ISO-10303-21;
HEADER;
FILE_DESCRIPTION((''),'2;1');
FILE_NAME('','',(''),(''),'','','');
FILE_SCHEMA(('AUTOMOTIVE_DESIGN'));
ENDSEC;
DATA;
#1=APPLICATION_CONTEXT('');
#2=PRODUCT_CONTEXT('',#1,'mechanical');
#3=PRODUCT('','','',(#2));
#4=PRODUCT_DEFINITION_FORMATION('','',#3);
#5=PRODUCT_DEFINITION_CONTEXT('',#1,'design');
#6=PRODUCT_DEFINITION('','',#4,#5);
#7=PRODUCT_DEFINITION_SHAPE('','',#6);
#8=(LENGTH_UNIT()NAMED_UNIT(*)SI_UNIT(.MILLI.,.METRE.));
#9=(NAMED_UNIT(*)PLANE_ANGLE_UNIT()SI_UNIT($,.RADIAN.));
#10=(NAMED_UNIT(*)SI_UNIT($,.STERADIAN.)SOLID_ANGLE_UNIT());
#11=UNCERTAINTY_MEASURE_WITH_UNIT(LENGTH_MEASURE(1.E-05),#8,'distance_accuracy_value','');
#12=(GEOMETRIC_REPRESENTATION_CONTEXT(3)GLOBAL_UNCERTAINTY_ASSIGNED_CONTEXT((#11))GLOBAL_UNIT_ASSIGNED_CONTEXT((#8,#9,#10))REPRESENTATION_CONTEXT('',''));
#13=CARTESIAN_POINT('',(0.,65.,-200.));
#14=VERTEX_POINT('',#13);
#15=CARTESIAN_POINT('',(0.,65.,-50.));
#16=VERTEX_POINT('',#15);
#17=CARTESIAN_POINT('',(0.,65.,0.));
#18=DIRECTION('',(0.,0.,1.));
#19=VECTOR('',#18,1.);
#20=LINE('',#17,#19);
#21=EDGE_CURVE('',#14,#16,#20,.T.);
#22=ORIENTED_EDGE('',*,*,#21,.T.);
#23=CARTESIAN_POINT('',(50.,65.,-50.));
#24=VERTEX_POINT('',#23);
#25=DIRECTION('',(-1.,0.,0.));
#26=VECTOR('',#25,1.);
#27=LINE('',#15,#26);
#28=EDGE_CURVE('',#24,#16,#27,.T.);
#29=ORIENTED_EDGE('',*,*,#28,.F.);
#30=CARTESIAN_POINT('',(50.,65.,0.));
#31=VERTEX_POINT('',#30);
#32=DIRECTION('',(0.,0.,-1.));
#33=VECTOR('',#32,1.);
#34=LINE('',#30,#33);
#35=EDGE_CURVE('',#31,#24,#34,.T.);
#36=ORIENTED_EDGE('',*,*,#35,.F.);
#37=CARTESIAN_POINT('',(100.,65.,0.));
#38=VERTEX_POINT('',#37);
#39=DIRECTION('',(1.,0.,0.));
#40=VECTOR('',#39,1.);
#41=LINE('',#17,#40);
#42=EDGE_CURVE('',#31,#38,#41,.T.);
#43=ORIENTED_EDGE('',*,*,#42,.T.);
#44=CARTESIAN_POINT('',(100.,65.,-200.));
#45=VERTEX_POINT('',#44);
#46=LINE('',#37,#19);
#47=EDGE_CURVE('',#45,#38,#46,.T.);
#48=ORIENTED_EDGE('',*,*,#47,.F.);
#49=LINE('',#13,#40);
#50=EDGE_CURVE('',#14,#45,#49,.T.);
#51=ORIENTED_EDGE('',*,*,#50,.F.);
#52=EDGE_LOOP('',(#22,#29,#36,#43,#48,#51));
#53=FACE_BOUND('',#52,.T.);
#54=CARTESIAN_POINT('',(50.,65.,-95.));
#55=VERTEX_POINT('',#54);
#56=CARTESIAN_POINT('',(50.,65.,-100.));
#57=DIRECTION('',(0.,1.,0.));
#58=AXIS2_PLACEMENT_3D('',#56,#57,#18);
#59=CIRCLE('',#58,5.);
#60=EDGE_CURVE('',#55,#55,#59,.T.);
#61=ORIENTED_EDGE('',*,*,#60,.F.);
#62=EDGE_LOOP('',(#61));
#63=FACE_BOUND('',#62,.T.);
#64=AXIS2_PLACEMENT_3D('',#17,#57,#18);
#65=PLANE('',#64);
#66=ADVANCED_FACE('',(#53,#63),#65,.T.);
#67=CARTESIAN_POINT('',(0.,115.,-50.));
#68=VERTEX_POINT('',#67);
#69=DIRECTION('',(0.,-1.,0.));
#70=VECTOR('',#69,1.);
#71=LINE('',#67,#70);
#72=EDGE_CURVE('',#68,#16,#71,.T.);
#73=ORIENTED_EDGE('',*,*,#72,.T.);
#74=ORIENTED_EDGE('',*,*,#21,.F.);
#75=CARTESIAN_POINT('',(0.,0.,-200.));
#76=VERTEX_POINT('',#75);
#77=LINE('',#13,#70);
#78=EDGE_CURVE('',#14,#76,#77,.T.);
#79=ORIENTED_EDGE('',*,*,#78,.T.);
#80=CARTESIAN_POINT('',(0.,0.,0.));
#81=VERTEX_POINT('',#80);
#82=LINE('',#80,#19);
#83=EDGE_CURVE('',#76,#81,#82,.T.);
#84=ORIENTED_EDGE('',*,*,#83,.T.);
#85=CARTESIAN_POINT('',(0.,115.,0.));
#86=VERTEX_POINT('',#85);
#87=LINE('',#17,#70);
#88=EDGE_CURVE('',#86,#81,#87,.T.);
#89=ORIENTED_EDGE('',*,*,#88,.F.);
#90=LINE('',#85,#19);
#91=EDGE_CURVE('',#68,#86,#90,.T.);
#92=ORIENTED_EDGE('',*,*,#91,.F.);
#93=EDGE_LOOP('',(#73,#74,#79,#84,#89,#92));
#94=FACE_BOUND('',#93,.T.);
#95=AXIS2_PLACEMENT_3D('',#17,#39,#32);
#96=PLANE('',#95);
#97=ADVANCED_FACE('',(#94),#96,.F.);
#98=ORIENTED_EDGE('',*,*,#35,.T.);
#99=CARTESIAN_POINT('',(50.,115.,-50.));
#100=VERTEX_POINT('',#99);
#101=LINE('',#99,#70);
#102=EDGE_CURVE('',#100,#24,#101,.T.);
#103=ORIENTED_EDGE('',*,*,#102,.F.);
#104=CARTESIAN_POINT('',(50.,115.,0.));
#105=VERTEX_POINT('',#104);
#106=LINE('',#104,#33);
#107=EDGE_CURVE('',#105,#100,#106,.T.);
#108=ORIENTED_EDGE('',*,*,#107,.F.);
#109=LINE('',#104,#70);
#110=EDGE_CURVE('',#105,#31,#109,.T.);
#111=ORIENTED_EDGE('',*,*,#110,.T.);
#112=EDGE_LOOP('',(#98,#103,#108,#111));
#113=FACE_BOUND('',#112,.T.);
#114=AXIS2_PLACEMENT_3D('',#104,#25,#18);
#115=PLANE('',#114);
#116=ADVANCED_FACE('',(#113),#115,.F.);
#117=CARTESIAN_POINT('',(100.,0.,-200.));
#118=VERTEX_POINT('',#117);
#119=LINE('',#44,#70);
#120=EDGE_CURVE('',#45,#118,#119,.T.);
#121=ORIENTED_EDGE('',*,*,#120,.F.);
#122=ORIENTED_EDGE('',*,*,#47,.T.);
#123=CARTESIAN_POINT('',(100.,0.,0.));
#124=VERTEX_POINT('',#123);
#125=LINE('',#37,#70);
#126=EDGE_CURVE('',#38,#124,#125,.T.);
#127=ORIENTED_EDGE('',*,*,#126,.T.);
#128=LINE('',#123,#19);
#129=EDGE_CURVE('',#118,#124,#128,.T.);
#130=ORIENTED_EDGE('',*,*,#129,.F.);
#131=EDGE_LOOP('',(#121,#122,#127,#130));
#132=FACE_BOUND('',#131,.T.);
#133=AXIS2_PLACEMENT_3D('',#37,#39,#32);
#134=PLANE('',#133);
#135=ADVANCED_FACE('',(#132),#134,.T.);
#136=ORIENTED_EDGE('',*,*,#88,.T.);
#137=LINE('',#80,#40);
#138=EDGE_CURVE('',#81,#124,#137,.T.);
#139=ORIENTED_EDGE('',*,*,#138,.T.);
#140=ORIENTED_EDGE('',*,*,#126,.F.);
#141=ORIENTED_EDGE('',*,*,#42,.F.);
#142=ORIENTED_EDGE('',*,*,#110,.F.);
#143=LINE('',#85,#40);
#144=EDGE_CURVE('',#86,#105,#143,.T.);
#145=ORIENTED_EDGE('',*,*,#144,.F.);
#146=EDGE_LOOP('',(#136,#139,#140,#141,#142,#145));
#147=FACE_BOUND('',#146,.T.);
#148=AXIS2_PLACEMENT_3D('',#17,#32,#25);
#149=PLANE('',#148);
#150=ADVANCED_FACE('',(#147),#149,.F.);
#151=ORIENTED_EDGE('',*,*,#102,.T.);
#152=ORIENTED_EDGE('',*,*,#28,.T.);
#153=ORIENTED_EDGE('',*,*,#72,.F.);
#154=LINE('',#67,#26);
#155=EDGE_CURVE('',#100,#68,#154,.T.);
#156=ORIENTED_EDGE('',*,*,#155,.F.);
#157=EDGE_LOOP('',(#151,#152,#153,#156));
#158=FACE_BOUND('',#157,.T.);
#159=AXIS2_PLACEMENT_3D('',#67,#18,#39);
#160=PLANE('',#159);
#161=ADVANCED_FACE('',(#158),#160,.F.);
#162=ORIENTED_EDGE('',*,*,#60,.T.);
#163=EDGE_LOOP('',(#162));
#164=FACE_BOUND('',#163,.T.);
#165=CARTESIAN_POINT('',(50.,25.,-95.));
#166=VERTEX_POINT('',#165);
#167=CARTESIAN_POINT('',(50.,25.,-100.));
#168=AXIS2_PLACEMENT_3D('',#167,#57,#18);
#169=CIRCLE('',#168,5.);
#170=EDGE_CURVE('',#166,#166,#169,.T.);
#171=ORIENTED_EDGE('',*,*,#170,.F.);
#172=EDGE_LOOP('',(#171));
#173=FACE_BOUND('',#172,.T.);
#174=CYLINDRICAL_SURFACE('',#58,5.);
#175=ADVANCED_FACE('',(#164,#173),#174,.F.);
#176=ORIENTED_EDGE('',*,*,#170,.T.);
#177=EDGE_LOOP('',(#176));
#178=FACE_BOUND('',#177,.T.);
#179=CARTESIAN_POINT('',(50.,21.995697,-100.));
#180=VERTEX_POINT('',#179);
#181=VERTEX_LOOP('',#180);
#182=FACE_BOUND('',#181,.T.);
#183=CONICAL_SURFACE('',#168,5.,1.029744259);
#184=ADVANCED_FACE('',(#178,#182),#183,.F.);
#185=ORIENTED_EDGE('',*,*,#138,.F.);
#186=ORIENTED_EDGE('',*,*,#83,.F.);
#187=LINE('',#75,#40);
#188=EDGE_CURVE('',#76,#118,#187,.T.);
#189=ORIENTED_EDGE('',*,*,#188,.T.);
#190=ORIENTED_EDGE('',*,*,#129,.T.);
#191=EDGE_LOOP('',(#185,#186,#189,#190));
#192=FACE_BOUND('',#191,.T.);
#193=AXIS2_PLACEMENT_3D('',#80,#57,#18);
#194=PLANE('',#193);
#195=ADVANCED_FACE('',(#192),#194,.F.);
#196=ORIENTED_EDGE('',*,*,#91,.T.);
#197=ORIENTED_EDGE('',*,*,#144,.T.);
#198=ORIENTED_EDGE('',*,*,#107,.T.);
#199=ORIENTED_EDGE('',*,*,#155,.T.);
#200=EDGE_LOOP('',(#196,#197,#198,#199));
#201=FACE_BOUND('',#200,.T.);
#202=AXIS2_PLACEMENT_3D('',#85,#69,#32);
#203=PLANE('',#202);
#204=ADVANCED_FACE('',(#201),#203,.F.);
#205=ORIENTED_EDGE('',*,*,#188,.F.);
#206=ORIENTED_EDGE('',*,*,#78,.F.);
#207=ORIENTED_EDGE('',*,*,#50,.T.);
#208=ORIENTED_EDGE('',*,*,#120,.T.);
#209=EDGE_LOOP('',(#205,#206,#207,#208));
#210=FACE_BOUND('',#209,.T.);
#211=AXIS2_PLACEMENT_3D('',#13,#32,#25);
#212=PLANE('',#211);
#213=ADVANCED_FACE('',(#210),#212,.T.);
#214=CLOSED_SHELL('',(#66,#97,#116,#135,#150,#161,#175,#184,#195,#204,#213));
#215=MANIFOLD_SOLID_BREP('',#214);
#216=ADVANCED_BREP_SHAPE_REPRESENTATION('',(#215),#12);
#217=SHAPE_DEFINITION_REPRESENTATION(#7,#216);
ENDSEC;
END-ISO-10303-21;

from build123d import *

# Parameters (mm, degrees)
SKETCH1_W                  = 100
SKETCH1_H                  = 200
BOSS_EXTRUDE1_DEPTH        = 65
F_10_0MM_DOWEL_HOLE1_D     = 10
F_10_0MM_DOWEL_HOLE1_DEPTH = 40
F_10_0MM_DOWEL_HOLE1_TIP   = 3.004303095
SKETCH5_W                  = 50
SKETCH5_H                  = 50
BOSS_EXTRUDE2_DEPTH        = 50


with BuildPart() as part:
    # Sketch1 → Boss-Extrude1 (new body)
    with BuildSketch(Plane(origin=(0, 0, 0), x_dir=(1, 0, 0), z_dir=(0, 1, 0))):
        with Locations((50, 100)):
            Rectangle(SKETCH1_W, SKETCH1_H)
    extrude(amount=BOSS_EXTRUDE1_DEPTH)

    # Ø10.0mm Dowel Hole1
    with Locations(Plane(origin=(0, 65, 0), x_dir=(1, 0, 0), z_dir=(0, 1, 0))):
        with Locations((50, 100)):
            Hole(F_10_0MM_DOWEL_HOLE1_D / 2, depth=F_10_0MM_DOWEL_HOLE1_DEPTH)
            with Locations((0, 0, -(F_10_0MM_DOWEL_HOLE1_DEPTH + F_10_0MM_DOWEL_HOLE1_TIP / 2))):  # 118° drill point
                Cone(0, F_10_0MM_DOWEL_HOLE1_D / 2, F_10_0MM_DOWEL_HOLE1_TIP, mode=Mode.SUBTRACT)

    # Sketch5 → Boss-Extrude2 (add)
    with BuildSketch(Plane(origin=(0, 65, 0), x_dir=(1, 0, 0), z_dir=(0, 1, 0))):
        with Locations((25, 25)):
            Rectangle(SKETCH5_W, SKETCH5_H)
    extrude(amount=BOSS_EXTRUDE2_DEPTH)


solid = part.part
